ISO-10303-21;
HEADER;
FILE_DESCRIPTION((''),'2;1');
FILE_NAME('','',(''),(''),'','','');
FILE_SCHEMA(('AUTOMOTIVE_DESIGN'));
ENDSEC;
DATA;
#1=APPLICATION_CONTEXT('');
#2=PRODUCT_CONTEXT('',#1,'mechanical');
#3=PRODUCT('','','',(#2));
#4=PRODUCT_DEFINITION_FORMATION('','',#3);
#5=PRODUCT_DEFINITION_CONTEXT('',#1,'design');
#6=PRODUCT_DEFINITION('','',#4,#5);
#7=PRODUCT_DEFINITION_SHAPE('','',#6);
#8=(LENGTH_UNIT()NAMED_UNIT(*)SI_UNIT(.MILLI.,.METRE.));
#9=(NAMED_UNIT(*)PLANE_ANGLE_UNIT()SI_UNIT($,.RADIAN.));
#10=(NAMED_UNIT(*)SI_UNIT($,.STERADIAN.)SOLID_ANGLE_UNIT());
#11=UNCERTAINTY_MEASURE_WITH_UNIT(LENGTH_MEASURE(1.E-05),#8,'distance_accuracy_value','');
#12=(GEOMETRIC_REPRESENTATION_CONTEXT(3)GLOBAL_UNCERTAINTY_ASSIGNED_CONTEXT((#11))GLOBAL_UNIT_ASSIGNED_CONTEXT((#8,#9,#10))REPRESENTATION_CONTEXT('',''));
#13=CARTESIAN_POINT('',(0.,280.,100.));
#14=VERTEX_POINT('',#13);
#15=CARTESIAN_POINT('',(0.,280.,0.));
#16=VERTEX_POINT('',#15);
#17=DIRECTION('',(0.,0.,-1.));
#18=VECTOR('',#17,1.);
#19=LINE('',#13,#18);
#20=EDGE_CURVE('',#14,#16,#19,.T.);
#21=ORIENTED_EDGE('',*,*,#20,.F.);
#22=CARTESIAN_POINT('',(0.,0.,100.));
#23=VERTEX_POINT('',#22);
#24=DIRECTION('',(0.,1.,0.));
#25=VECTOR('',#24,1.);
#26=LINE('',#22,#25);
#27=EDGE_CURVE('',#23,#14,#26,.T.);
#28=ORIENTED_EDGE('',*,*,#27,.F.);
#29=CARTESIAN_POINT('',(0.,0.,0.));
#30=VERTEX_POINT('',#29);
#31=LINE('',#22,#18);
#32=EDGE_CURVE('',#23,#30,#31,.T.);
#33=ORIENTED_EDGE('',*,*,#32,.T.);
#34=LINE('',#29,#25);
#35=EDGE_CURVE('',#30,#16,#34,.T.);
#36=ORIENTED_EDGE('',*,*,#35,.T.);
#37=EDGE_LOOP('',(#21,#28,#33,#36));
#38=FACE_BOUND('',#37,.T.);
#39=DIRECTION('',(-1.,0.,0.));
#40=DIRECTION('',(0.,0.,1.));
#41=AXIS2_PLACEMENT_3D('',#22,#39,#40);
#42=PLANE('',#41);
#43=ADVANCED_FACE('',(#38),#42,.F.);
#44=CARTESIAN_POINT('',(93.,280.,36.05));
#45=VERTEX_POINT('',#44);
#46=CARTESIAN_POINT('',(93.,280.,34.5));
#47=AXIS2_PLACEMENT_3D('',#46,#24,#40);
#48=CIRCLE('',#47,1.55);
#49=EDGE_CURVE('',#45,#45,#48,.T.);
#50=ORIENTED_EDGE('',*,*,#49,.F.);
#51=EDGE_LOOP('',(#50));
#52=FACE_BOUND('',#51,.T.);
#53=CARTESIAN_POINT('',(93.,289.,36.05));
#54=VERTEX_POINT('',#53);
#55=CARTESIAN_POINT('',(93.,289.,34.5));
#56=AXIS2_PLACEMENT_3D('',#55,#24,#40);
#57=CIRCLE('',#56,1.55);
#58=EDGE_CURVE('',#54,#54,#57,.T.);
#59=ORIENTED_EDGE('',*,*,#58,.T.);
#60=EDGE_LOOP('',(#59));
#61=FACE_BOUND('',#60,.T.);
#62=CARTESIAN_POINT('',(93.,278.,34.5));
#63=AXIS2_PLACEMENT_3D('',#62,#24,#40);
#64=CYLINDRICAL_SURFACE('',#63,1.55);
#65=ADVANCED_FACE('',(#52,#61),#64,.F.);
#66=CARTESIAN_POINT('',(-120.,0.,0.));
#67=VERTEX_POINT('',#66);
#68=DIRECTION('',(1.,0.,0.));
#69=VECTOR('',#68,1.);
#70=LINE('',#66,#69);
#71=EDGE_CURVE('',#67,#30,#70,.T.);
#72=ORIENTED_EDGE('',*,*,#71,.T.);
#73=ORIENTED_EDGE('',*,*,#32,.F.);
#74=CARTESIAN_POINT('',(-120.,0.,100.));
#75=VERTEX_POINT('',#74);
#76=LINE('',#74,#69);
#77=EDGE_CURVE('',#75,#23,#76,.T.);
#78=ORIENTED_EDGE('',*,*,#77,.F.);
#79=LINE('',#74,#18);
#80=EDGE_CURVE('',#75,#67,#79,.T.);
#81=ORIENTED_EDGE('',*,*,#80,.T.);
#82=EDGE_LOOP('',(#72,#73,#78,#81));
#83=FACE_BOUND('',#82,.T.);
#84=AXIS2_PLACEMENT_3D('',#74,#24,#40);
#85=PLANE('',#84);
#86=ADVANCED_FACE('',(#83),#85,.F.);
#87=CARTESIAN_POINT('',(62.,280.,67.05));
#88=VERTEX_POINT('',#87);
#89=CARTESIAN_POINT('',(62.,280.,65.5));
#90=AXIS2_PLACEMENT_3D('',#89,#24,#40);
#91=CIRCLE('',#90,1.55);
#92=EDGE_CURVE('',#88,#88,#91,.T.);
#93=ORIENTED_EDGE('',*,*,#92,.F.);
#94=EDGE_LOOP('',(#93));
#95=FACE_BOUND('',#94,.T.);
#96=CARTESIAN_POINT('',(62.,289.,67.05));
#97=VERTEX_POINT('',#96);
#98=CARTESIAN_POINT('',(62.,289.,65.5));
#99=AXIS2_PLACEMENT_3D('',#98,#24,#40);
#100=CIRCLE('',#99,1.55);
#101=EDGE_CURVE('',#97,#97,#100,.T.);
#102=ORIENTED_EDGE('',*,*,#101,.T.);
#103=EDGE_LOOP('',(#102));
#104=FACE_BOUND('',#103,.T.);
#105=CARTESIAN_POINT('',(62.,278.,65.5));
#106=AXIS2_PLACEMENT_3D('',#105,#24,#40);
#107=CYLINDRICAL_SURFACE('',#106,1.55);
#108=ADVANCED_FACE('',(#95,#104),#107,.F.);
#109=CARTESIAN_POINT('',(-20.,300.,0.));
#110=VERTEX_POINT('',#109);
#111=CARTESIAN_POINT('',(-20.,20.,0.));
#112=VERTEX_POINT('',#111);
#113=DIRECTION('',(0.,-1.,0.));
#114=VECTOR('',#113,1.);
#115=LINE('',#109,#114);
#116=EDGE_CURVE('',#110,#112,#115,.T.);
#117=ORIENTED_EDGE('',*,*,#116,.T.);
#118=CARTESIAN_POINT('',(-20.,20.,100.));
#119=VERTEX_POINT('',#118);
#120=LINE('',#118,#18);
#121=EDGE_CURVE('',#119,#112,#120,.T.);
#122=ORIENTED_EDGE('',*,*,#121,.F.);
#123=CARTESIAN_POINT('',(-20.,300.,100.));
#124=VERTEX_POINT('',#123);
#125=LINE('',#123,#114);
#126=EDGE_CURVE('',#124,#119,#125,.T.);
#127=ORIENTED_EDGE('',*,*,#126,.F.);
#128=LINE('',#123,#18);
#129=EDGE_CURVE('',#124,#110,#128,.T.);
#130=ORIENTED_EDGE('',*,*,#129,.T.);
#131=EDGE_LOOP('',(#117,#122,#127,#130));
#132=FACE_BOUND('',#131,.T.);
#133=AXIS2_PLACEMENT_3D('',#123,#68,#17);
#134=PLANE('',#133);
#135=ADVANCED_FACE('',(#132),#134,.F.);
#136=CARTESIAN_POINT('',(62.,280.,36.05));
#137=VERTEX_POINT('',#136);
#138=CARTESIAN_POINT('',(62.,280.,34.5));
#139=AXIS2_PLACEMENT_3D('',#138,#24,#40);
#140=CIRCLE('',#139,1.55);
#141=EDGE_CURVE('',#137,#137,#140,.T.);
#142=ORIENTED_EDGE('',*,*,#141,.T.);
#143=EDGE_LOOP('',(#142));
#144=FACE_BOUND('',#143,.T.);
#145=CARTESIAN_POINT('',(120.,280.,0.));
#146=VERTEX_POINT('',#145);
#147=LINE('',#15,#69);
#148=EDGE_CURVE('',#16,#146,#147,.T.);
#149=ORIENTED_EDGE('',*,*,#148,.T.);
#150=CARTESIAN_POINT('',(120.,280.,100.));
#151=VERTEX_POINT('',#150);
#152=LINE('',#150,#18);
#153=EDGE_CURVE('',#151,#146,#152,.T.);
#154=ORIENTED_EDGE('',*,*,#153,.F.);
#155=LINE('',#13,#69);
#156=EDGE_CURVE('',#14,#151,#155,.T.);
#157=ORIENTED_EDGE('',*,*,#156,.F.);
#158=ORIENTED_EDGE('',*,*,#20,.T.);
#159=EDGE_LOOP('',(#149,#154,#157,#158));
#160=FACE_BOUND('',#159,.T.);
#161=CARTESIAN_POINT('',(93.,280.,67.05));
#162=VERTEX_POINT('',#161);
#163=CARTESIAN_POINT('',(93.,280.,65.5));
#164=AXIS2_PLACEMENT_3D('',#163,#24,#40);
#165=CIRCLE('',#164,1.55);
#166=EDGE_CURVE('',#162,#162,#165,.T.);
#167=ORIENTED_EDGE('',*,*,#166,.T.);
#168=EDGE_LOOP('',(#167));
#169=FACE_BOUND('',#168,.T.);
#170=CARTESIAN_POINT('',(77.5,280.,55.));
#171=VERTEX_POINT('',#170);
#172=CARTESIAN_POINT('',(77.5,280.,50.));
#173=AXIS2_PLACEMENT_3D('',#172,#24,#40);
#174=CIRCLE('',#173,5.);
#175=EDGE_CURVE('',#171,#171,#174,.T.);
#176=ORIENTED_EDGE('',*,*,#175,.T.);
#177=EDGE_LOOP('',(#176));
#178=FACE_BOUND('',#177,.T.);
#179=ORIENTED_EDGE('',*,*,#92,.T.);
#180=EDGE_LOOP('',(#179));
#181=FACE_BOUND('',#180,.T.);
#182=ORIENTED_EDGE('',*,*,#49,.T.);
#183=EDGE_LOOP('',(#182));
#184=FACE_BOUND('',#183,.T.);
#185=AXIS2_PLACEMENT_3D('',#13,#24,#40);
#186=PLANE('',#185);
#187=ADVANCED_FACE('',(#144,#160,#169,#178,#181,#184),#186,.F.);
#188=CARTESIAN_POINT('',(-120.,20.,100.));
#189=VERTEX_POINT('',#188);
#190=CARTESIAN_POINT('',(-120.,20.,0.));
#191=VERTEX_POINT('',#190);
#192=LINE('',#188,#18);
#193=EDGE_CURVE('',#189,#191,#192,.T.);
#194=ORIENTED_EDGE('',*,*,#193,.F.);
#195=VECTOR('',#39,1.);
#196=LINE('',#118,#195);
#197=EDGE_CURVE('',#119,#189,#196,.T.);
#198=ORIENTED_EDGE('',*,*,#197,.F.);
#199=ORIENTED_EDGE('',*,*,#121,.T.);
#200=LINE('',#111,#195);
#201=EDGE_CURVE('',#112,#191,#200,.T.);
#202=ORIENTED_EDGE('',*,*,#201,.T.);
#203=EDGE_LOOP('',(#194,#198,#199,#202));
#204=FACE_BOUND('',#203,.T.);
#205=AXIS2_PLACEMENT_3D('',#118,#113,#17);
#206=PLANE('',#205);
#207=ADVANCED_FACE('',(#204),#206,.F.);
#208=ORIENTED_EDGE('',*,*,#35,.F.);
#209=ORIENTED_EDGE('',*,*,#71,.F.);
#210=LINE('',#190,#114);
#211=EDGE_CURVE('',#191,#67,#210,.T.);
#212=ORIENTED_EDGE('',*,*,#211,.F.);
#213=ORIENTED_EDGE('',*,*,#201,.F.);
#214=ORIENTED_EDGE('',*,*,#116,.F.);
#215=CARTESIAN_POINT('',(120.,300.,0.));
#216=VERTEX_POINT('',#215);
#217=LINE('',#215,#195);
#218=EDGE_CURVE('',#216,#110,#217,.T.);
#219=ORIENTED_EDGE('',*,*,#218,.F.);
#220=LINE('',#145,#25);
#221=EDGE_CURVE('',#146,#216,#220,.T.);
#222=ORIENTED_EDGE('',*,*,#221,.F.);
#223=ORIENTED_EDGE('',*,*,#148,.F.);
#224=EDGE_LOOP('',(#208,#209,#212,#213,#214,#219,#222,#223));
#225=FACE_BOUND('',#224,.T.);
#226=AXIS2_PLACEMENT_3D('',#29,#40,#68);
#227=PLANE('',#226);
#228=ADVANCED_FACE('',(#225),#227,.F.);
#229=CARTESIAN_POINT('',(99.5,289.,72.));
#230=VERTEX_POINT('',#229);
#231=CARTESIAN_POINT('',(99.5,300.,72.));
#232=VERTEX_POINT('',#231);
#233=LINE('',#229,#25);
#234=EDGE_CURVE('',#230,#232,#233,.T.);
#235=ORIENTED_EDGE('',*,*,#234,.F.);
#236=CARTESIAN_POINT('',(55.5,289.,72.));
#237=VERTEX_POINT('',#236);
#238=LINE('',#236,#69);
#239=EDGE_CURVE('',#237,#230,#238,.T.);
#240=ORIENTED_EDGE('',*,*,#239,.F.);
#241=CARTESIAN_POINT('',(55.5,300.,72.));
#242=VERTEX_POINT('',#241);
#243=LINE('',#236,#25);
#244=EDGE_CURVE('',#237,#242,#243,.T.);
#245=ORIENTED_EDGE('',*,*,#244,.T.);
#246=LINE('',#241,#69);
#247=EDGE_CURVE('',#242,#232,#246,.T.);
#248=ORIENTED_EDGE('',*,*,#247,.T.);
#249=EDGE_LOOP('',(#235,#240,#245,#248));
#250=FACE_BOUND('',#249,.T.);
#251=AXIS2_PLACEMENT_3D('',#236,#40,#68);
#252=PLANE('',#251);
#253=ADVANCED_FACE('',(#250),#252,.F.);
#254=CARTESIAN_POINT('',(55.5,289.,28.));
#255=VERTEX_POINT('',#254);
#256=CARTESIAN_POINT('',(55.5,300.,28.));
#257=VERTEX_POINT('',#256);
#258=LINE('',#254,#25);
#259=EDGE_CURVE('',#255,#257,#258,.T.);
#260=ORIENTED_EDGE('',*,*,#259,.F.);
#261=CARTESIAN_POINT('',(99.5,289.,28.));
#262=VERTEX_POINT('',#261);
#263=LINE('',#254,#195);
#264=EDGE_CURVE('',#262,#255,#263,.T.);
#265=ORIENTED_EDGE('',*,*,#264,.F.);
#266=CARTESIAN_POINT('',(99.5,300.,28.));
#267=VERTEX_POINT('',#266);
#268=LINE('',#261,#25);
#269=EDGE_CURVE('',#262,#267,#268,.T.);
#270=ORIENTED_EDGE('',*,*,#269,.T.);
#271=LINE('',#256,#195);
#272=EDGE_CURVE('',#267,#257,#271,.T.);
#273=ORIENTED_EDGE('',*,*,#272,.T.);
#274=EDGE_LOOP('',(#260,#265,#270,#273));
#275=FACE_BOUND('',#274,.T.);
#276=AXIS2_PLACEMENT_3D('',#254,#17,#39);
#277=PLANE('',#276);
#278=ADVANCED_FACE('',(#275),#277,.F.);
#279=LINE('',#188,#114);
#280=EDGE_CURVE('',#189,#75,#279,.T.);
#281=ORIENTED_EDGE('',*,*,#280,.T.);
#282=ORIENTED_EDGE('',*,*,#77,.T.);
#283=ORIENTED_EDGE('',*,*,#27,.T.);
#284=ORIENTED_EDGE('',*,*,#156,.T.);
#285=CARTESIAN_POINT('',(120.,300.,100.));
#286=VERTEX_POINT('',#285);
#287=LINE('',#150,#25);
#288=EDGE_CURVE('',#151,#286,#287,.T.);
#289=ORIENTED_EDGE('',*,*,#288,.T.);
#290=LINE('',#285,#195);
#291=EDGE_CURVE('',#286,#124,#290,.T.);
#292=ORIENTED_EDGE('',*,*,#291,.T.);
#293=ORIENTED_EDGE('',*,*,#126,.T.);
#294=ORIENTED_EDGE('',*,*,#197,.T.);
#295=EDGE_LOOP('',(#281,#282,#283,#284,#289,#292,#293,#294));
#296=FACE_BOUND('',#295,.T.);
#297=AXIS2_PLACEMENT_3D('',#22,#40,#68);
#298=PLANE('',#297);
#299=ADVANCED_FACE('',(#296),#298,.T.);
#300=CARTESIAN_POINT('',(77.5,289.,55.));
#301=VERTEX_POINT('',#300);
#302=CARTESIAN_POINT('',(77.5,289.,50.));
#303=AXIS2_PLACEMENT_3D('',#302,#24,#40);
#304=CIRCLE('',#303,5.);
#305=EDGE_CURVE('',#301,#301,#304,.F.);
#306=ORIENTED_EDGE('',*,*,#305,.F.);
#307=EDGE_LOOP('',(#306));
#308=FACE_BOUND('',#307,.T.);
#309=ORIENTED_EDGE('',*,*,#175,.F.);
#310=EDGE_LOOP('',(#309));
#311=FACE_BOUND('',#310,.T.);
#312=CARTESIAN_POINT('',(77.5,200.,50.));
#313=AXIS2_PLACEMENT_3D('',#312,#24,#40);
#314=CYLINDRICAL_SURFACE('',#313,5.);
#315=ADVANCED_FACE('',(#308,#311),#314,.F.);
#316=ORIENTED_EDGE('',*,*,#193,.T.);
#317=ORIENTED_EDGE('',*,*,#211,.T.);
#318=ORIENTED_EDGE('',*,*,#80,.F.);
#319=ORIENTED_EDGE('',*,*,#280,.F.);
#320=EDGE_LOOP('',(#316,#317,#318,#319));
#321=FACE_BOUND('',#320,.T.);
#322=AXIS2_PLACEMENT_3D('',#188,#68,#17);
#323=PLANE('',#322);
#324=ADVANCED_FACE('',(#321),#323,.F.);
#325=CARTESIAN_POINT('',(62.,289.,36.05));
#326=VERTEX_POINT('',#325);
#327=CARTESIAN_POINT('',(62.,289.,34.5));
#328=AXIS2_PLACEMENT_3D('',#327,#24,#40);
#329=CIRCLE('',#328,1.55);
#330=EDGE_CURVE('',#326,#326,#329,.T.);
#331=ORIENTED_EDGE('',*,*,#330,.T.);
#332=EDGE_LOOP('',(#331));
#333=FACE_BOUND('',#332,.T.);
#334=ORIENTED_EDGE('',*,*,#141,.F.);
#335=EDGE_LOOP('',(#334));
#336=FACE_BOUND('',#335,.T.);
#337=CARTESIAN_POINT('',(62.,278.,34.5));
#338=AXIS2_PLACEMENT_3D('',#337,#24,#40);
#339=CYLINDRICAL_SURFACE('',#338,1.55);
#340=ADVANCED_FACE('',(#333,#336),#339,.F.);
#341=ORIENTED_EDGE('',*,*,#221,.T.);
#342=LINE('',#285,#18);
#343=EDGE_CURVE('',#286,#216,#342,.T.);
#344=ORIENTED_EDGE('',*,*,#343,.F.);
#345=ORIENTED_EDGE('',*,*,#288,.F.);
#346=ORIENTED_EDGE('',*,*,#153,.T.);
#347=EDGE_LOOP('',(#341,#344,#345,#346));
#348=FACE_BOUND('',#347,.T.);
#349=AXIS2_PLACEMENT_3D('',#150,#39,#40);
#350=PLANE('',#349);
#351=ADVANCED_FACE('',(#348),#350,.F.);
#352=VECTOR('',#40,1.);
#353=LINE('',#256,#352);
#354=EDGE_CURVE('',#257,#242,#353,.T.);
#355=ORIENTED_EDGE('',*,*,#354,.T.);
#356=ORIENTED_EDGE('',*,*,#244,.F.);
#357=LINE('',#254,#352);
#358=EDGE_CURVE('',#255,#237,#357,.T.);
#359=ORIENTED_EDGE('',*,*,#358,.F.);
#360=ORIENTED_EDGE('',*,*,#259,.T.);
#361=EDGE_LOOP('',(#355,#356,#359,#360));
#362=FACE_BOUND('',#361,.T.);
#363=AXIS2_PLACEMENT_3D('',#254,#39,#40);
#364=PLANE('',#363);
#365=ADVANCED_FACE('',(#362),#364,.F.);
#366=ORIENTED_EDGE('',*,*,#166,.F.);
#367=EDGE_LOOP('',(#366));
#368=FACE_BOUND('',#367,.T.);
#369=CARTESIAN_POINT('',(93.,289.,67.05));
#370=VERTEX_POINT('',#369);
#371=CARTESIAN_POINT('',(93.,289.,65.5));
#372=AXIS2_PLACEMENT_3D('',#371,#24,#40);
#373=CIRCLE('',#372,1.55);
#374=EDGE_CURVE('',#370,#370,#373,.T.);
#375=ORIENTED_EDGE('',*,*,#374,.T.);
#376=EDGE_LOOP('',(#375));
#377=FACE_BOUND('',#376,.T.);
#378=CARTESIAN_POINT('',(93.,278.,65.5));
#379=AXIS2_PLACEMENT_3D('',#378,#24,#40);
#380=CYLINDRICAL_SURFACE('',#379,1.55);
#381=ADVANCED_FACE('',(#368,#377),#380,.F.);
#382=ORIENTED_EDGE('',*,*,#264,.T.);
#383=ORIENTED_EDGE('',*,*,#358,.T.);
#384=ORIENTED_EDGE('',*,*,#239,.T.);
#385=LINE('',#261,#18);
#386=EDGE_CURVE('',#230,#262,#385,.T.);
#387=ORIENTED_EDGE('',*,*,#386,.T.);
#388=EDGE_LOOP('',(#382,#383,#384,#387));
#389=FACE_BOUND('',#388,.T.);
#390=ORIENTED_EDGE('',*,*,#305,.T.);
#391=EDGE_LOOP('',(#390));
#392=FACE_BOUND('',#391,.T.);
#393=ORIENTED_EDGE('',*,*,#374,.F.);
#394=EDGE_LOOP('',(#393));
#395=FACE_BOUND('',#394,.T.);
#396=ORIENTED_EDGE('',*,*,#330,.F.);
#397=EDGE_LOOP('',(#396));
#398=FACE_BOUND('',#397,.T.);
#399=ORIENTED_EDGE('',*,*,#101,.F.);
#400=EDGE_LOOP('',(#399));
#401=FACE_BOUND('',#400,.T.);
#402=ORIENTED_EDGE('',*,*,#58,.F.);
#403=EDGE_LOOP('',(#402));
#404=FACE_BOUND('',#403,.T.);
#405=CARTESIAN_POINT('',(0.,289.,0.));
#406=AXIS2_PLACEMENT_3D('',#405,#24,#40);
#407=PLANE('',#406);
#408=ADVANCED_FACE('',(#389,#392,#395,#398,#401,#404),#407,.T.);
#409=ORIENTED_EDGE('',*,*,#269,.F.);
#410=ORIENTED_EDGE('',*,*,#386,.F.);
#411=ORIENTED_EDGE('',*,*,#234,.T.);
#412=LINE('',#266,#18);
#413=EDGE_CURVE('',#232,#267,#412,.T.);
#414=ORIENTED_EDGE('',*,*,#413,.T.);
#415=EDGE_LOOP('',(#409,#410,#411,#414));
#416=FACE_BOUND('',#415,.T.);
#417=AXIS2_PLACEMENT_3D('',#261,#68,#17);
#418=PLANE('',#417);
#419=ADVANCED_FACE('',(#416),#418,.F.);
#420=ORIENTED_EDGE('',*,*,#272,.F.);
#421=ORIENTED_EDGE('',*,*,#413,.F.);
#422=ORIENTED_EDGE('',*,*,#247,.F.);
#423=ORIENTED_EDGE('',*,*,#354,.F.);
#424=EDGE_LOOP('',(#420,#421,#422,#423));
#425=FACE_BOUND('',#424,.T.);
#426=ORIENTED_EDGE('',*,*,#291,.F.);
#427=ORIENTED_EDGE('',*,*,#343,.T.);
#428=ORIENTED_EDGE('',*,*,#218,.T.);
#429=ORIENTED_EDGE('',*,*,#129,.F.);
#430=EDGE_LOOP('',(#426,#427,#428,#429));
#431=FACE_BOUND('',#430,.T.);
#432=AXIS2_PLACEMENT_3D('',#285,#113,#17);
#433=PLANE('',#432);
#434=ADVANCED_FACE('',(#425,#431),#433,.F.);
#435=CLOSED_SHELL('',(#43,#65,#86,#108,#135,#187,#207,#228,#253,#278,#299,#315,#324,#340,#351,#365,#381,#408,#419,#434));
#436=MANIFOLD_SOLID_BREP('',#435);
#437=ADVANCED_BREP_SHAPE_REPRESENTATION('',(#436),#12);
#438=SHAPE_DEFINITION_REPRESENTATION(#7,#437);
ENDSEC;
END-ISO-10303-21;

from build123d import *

# Parameters (mm, degrees)
BOSS_EXTRUDE1_DEPTH = 100
SKETCH2_R           = 5
CUT_EXTRUDE1_DEPTH  = 100
SKETCH6_W           = 44
SKETCH6_H           = 44
CUT_EXTRUDE2_DEPTH  = 11
SKETCH7_R           = 1.55
CUT_EXTRUDE3_DEPTH  = 11


with BuildPart() as part:
    # Sketch1 → Boss-Extrude1 (new body)
    with BuildSketch(Plane.XY):
        Polygon((0, 0), (0, 280), (120, 280), (120, 300), (-20, 300), (-20, 20), (-120, 20), (-120, 0), align=None)
    extrude(amount=BOSS_EXTRUDE1_DEPTH)

    # Sketch2 → Cut-Extrude1 (cut)
    with BuildSketch(Plane(origin=(0, 300, 0), x_dir=(1, 0, 0), z_dir=(0, 1, 0))):
        with Locations(Location((77.5, -50, 0), (0, 0, 270))):
            Circle(SKETCH2_R)
    extrude(amount=-CUT_EXTRUDE1_DEPTH, mode=Mode.SUBTRACT)

    # Sketch6 → Cut-Extrude2 (cut)
    with BuildSketch(Plane(origin=(0, 300, 0), x_dir=(1, 0, 0), z_dir=(0, 1, 0))):
        with Locations((77.5, -50)):
            Rectangle(SKETCH6_W, SKETCH6_H)
    extrude(amount=-CUT_EXTRUDE2_DEPTH, mode=Mode.SUBTRACT)

    # Sketch7 → Cut-Extrude3 (cut)
    with BuildSketch(Plane(origin=(0, 289, 0), x_dir=(1, 0, 0), z_dir=(0, 1, 0))):
        with Locations(Location((62, -34.5, 0), (0, 0, 270))):
            Circle(SKETCH7_R)
        with Locations(Location((93, -34.5, 0), (0, 0, 270))):
            Circle(SKETCH7_R)
        with Locations(Location((93, -65.5, 0), (0, 0, 270))):
            Circle(SKETCH7_R)
        with Locations(Location((62, -65.5, 0), (0, 0, 270))):
            Circle(SKETCH7_R)
    extrude(amount=-CUT_EXTRUDE3_DEPTH, mode=Mode.SUBTRACT)


solid = part.part
